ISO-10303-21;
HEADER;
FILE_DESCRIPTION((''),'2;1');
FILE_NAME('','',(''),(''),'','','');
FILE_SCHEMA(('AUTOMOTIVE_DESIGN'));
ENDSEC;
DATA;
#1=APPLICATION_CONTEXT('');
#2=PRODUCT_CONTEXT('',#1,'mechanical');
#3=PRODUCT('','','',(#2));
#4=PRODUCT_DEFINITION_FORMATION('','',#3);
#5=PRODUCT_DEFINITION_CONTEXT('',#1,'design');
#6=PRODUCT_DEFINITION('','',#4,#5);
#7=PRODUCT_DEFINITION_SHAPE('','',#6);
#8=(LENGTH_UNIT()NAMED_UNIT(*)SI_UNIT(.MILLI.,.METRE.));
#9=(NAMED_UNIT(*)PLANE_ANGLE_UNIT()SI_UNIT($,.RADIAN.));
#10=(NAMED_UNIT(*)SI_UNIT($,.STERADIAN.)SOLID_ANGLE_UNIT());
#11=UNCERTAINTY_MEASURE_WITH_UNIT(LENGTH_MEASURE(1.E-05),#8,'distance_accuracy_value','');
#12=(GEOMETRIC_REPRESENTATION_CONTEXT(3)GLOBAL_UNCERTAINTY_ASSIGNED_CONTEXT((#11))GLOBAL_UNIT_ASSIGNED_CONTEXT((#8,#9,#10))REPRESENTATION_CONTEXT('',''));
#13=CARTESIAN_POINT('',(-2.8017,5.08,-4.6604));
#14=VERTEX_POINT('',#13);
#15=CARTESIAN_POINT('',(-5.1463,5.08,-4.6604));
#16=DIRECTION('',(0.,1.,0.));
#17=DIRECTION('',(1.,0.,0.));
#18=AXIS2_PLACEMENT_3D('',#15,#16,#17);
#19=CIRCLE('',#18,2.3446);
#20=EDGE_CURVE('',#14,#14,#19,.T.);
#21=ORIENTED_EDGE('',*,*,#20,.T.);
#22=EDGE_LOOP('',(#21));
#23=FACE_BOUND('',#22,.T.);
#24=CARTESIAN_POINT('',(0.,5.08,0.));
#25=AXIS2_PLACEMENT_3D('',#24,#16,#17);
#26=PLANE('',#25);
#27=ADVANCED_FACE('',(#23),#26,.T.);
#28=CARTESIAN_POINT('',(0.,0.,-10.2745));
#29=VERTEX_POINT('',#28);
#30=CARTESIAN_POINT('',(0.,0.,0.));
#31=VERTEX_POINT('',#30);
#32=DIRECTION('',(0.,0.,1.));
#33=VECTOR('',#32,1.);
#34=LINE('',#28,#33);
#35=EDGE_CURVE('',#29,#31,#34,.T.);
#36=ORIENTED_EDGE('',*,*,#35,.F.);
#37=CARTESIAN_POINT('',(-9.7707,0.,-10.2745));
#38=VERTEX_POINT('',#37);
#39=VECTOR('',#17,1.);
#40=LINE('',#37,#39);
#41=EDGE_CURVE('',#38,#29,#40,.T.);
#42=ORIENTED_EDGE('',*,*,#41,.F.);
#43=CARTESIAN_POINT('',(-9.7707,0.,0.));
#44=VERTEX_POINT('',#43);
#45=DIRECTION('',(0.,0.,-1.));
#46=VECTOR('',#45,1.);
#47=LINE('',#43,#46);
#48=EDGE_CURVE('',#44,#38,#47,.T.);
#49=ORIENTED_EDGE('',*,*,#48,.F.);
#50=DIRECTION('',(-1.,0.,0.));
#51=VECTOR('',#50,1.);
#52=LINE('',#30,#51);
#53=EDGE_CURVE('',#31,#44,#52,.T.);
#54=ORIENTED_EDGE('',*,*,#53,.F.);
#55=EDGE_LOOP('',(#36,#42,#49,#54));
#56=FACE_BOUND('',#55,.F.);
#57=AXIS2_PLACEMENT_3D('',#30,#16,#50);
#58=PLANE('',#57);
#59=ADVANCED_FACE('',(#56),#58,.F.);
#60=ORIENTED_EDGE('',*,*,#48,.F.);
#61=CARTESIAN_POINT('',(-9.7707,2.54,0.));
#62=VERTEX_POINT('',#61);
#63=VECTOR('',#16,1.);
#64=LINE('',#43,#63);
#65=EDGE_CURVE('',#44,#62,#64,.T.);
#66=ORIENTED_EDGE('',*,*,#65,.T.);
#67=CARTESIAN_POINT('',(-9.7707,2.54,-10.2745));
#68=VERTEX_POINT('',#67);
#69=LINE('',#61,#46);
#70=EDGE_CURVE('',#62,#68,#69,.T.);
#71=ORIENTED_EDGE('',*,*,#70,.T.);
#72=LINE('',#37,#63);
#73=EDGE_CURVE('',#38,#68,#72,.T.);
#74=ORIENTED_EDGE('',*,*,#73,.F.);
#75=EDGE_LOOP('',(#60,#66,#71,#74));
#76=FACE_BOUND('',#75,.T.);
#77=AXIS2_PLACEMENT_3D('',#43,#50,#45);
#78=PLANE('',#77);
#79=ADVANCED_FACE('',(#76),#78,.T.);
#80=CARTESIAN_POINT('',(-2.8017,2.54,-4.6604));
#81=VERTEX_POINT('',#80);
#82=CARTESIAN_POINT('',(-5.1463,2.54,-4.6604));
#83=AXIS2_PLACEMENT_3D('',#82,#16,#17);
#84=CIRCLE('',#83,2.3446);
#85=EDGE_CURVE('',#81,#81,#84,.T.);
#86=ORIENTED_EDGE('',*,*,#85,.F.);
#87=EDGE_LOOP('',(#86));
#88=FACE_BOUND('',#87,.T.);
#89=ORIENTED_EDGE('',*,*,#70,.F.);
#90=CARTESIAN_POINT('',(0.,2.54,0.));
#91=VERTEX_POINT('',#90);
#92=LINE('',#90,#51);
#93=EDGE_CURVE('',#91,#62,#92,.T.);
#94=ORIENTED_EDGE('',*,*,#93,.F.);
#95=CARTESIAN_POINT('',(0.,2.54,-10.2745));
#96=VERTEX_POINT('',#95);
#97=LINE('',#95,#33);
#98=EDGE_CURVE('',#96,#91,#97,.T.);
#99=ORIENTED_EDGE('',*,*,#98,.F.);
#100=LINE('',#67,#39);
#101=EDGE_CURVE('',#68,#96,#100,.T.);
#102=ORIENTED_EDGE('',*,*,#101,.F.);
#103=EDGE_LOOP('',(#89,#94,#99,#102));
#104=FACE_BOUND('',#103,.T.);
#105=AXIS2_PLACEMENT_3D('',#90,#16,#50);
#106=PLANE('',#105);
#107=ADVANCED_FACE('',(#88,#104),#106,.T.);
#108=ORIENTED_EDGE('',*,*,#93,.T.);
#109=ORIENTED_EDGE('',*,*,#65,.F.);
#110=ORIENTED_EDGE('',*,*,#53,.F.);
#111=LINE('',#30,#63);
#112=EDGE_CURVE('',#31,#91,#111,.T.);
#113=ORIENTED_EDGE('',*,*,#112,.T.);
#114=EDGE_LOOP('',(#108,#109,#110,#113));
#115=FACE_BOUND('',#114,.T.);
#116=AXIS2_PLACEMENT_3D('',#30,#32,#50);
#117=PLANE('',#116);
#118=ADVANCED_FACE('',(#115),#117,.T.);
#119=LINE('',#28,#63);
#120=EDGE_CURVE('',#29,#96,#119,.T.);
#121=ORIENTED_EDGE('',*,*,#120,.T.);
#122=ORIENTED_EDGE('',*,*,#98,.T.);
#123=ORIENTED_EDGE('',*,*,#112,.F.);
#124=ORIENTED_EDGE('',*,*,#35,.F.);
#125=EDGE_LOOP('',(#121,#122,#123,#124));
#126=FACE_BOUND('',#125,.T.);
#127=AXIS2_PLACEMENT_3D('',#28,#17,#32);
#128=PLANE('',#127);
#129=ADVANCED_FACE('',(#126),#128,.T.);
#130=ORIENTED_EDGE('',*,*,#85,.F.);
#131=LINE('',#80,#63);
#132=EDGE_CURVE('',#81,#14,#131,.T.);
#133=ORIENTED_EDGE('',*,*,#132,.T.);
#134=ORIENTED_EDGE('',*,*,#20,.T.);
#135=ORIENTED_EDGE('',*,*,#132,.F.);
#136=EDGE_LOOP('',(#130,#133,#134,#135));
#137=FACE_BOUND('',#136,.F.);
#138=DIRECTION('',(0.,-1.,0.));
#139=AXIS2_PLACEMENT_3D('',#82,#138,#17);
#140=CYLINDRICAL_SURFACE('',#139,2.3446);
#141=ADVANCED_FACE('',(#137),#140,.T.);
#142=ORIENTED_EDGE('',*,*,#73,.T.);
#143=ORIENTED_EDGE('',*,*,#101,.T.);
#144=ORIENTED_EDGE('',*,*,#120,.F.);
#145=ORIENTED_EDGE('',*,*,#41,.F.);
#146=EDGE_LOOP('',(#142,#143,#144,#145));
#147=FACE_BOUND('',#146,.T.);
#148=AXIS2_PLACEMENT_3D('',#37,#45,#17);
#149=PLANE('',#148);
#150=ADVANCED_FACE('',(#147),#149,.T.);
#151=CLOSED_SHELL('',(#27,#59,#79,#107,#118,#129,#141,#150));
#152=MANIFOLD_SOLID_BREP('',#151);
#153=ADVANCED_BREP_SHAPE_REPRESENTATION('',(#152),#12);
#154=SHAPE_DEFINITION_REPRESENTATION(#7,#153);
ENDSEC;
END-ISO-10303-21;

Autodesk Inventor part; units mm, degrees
ref_plane "YZ Plane" through (0, 0, 0) normal (1, 0, 0) x (0, 1, 0)
ref_plane "XZ Plane" through (0, 0, 0) normal (0, 1, 0) x (-1, 0, 0)
ref_plane "XY Plane" through (0, 0, 0) normal (0, 0, 1) x (1, 0, 0)
sketch "Sketch1" plane through (0, 0, 0) normal (0, 1, 0) x (-1, 0, 0)
  line L0 (0, 0) -> (9.7707, 0)
  line L1 (9.7707, 0) -> (9.7707, -10.2745)
  line L2 (9.7707, -10.2745) -> (0, -10.2745)
  line L3 (0, -10.2745) -> (0, 0)
extrude "Extrusion1" add sketch "Sketch1" along normal blind 2.54
sketch "Sketch2" plane through (0, 2.54, 0) normal (0, 1, 0) x (1, 0, 0)
  circle A0 centre (-5.1463, 4.6604) radius 2.3446
  point P0 (0, 0)
extrude "Extrusion2" add sketch "Sketch2" along normal blind 2.54
properties part number "offset_sketch_plane"
